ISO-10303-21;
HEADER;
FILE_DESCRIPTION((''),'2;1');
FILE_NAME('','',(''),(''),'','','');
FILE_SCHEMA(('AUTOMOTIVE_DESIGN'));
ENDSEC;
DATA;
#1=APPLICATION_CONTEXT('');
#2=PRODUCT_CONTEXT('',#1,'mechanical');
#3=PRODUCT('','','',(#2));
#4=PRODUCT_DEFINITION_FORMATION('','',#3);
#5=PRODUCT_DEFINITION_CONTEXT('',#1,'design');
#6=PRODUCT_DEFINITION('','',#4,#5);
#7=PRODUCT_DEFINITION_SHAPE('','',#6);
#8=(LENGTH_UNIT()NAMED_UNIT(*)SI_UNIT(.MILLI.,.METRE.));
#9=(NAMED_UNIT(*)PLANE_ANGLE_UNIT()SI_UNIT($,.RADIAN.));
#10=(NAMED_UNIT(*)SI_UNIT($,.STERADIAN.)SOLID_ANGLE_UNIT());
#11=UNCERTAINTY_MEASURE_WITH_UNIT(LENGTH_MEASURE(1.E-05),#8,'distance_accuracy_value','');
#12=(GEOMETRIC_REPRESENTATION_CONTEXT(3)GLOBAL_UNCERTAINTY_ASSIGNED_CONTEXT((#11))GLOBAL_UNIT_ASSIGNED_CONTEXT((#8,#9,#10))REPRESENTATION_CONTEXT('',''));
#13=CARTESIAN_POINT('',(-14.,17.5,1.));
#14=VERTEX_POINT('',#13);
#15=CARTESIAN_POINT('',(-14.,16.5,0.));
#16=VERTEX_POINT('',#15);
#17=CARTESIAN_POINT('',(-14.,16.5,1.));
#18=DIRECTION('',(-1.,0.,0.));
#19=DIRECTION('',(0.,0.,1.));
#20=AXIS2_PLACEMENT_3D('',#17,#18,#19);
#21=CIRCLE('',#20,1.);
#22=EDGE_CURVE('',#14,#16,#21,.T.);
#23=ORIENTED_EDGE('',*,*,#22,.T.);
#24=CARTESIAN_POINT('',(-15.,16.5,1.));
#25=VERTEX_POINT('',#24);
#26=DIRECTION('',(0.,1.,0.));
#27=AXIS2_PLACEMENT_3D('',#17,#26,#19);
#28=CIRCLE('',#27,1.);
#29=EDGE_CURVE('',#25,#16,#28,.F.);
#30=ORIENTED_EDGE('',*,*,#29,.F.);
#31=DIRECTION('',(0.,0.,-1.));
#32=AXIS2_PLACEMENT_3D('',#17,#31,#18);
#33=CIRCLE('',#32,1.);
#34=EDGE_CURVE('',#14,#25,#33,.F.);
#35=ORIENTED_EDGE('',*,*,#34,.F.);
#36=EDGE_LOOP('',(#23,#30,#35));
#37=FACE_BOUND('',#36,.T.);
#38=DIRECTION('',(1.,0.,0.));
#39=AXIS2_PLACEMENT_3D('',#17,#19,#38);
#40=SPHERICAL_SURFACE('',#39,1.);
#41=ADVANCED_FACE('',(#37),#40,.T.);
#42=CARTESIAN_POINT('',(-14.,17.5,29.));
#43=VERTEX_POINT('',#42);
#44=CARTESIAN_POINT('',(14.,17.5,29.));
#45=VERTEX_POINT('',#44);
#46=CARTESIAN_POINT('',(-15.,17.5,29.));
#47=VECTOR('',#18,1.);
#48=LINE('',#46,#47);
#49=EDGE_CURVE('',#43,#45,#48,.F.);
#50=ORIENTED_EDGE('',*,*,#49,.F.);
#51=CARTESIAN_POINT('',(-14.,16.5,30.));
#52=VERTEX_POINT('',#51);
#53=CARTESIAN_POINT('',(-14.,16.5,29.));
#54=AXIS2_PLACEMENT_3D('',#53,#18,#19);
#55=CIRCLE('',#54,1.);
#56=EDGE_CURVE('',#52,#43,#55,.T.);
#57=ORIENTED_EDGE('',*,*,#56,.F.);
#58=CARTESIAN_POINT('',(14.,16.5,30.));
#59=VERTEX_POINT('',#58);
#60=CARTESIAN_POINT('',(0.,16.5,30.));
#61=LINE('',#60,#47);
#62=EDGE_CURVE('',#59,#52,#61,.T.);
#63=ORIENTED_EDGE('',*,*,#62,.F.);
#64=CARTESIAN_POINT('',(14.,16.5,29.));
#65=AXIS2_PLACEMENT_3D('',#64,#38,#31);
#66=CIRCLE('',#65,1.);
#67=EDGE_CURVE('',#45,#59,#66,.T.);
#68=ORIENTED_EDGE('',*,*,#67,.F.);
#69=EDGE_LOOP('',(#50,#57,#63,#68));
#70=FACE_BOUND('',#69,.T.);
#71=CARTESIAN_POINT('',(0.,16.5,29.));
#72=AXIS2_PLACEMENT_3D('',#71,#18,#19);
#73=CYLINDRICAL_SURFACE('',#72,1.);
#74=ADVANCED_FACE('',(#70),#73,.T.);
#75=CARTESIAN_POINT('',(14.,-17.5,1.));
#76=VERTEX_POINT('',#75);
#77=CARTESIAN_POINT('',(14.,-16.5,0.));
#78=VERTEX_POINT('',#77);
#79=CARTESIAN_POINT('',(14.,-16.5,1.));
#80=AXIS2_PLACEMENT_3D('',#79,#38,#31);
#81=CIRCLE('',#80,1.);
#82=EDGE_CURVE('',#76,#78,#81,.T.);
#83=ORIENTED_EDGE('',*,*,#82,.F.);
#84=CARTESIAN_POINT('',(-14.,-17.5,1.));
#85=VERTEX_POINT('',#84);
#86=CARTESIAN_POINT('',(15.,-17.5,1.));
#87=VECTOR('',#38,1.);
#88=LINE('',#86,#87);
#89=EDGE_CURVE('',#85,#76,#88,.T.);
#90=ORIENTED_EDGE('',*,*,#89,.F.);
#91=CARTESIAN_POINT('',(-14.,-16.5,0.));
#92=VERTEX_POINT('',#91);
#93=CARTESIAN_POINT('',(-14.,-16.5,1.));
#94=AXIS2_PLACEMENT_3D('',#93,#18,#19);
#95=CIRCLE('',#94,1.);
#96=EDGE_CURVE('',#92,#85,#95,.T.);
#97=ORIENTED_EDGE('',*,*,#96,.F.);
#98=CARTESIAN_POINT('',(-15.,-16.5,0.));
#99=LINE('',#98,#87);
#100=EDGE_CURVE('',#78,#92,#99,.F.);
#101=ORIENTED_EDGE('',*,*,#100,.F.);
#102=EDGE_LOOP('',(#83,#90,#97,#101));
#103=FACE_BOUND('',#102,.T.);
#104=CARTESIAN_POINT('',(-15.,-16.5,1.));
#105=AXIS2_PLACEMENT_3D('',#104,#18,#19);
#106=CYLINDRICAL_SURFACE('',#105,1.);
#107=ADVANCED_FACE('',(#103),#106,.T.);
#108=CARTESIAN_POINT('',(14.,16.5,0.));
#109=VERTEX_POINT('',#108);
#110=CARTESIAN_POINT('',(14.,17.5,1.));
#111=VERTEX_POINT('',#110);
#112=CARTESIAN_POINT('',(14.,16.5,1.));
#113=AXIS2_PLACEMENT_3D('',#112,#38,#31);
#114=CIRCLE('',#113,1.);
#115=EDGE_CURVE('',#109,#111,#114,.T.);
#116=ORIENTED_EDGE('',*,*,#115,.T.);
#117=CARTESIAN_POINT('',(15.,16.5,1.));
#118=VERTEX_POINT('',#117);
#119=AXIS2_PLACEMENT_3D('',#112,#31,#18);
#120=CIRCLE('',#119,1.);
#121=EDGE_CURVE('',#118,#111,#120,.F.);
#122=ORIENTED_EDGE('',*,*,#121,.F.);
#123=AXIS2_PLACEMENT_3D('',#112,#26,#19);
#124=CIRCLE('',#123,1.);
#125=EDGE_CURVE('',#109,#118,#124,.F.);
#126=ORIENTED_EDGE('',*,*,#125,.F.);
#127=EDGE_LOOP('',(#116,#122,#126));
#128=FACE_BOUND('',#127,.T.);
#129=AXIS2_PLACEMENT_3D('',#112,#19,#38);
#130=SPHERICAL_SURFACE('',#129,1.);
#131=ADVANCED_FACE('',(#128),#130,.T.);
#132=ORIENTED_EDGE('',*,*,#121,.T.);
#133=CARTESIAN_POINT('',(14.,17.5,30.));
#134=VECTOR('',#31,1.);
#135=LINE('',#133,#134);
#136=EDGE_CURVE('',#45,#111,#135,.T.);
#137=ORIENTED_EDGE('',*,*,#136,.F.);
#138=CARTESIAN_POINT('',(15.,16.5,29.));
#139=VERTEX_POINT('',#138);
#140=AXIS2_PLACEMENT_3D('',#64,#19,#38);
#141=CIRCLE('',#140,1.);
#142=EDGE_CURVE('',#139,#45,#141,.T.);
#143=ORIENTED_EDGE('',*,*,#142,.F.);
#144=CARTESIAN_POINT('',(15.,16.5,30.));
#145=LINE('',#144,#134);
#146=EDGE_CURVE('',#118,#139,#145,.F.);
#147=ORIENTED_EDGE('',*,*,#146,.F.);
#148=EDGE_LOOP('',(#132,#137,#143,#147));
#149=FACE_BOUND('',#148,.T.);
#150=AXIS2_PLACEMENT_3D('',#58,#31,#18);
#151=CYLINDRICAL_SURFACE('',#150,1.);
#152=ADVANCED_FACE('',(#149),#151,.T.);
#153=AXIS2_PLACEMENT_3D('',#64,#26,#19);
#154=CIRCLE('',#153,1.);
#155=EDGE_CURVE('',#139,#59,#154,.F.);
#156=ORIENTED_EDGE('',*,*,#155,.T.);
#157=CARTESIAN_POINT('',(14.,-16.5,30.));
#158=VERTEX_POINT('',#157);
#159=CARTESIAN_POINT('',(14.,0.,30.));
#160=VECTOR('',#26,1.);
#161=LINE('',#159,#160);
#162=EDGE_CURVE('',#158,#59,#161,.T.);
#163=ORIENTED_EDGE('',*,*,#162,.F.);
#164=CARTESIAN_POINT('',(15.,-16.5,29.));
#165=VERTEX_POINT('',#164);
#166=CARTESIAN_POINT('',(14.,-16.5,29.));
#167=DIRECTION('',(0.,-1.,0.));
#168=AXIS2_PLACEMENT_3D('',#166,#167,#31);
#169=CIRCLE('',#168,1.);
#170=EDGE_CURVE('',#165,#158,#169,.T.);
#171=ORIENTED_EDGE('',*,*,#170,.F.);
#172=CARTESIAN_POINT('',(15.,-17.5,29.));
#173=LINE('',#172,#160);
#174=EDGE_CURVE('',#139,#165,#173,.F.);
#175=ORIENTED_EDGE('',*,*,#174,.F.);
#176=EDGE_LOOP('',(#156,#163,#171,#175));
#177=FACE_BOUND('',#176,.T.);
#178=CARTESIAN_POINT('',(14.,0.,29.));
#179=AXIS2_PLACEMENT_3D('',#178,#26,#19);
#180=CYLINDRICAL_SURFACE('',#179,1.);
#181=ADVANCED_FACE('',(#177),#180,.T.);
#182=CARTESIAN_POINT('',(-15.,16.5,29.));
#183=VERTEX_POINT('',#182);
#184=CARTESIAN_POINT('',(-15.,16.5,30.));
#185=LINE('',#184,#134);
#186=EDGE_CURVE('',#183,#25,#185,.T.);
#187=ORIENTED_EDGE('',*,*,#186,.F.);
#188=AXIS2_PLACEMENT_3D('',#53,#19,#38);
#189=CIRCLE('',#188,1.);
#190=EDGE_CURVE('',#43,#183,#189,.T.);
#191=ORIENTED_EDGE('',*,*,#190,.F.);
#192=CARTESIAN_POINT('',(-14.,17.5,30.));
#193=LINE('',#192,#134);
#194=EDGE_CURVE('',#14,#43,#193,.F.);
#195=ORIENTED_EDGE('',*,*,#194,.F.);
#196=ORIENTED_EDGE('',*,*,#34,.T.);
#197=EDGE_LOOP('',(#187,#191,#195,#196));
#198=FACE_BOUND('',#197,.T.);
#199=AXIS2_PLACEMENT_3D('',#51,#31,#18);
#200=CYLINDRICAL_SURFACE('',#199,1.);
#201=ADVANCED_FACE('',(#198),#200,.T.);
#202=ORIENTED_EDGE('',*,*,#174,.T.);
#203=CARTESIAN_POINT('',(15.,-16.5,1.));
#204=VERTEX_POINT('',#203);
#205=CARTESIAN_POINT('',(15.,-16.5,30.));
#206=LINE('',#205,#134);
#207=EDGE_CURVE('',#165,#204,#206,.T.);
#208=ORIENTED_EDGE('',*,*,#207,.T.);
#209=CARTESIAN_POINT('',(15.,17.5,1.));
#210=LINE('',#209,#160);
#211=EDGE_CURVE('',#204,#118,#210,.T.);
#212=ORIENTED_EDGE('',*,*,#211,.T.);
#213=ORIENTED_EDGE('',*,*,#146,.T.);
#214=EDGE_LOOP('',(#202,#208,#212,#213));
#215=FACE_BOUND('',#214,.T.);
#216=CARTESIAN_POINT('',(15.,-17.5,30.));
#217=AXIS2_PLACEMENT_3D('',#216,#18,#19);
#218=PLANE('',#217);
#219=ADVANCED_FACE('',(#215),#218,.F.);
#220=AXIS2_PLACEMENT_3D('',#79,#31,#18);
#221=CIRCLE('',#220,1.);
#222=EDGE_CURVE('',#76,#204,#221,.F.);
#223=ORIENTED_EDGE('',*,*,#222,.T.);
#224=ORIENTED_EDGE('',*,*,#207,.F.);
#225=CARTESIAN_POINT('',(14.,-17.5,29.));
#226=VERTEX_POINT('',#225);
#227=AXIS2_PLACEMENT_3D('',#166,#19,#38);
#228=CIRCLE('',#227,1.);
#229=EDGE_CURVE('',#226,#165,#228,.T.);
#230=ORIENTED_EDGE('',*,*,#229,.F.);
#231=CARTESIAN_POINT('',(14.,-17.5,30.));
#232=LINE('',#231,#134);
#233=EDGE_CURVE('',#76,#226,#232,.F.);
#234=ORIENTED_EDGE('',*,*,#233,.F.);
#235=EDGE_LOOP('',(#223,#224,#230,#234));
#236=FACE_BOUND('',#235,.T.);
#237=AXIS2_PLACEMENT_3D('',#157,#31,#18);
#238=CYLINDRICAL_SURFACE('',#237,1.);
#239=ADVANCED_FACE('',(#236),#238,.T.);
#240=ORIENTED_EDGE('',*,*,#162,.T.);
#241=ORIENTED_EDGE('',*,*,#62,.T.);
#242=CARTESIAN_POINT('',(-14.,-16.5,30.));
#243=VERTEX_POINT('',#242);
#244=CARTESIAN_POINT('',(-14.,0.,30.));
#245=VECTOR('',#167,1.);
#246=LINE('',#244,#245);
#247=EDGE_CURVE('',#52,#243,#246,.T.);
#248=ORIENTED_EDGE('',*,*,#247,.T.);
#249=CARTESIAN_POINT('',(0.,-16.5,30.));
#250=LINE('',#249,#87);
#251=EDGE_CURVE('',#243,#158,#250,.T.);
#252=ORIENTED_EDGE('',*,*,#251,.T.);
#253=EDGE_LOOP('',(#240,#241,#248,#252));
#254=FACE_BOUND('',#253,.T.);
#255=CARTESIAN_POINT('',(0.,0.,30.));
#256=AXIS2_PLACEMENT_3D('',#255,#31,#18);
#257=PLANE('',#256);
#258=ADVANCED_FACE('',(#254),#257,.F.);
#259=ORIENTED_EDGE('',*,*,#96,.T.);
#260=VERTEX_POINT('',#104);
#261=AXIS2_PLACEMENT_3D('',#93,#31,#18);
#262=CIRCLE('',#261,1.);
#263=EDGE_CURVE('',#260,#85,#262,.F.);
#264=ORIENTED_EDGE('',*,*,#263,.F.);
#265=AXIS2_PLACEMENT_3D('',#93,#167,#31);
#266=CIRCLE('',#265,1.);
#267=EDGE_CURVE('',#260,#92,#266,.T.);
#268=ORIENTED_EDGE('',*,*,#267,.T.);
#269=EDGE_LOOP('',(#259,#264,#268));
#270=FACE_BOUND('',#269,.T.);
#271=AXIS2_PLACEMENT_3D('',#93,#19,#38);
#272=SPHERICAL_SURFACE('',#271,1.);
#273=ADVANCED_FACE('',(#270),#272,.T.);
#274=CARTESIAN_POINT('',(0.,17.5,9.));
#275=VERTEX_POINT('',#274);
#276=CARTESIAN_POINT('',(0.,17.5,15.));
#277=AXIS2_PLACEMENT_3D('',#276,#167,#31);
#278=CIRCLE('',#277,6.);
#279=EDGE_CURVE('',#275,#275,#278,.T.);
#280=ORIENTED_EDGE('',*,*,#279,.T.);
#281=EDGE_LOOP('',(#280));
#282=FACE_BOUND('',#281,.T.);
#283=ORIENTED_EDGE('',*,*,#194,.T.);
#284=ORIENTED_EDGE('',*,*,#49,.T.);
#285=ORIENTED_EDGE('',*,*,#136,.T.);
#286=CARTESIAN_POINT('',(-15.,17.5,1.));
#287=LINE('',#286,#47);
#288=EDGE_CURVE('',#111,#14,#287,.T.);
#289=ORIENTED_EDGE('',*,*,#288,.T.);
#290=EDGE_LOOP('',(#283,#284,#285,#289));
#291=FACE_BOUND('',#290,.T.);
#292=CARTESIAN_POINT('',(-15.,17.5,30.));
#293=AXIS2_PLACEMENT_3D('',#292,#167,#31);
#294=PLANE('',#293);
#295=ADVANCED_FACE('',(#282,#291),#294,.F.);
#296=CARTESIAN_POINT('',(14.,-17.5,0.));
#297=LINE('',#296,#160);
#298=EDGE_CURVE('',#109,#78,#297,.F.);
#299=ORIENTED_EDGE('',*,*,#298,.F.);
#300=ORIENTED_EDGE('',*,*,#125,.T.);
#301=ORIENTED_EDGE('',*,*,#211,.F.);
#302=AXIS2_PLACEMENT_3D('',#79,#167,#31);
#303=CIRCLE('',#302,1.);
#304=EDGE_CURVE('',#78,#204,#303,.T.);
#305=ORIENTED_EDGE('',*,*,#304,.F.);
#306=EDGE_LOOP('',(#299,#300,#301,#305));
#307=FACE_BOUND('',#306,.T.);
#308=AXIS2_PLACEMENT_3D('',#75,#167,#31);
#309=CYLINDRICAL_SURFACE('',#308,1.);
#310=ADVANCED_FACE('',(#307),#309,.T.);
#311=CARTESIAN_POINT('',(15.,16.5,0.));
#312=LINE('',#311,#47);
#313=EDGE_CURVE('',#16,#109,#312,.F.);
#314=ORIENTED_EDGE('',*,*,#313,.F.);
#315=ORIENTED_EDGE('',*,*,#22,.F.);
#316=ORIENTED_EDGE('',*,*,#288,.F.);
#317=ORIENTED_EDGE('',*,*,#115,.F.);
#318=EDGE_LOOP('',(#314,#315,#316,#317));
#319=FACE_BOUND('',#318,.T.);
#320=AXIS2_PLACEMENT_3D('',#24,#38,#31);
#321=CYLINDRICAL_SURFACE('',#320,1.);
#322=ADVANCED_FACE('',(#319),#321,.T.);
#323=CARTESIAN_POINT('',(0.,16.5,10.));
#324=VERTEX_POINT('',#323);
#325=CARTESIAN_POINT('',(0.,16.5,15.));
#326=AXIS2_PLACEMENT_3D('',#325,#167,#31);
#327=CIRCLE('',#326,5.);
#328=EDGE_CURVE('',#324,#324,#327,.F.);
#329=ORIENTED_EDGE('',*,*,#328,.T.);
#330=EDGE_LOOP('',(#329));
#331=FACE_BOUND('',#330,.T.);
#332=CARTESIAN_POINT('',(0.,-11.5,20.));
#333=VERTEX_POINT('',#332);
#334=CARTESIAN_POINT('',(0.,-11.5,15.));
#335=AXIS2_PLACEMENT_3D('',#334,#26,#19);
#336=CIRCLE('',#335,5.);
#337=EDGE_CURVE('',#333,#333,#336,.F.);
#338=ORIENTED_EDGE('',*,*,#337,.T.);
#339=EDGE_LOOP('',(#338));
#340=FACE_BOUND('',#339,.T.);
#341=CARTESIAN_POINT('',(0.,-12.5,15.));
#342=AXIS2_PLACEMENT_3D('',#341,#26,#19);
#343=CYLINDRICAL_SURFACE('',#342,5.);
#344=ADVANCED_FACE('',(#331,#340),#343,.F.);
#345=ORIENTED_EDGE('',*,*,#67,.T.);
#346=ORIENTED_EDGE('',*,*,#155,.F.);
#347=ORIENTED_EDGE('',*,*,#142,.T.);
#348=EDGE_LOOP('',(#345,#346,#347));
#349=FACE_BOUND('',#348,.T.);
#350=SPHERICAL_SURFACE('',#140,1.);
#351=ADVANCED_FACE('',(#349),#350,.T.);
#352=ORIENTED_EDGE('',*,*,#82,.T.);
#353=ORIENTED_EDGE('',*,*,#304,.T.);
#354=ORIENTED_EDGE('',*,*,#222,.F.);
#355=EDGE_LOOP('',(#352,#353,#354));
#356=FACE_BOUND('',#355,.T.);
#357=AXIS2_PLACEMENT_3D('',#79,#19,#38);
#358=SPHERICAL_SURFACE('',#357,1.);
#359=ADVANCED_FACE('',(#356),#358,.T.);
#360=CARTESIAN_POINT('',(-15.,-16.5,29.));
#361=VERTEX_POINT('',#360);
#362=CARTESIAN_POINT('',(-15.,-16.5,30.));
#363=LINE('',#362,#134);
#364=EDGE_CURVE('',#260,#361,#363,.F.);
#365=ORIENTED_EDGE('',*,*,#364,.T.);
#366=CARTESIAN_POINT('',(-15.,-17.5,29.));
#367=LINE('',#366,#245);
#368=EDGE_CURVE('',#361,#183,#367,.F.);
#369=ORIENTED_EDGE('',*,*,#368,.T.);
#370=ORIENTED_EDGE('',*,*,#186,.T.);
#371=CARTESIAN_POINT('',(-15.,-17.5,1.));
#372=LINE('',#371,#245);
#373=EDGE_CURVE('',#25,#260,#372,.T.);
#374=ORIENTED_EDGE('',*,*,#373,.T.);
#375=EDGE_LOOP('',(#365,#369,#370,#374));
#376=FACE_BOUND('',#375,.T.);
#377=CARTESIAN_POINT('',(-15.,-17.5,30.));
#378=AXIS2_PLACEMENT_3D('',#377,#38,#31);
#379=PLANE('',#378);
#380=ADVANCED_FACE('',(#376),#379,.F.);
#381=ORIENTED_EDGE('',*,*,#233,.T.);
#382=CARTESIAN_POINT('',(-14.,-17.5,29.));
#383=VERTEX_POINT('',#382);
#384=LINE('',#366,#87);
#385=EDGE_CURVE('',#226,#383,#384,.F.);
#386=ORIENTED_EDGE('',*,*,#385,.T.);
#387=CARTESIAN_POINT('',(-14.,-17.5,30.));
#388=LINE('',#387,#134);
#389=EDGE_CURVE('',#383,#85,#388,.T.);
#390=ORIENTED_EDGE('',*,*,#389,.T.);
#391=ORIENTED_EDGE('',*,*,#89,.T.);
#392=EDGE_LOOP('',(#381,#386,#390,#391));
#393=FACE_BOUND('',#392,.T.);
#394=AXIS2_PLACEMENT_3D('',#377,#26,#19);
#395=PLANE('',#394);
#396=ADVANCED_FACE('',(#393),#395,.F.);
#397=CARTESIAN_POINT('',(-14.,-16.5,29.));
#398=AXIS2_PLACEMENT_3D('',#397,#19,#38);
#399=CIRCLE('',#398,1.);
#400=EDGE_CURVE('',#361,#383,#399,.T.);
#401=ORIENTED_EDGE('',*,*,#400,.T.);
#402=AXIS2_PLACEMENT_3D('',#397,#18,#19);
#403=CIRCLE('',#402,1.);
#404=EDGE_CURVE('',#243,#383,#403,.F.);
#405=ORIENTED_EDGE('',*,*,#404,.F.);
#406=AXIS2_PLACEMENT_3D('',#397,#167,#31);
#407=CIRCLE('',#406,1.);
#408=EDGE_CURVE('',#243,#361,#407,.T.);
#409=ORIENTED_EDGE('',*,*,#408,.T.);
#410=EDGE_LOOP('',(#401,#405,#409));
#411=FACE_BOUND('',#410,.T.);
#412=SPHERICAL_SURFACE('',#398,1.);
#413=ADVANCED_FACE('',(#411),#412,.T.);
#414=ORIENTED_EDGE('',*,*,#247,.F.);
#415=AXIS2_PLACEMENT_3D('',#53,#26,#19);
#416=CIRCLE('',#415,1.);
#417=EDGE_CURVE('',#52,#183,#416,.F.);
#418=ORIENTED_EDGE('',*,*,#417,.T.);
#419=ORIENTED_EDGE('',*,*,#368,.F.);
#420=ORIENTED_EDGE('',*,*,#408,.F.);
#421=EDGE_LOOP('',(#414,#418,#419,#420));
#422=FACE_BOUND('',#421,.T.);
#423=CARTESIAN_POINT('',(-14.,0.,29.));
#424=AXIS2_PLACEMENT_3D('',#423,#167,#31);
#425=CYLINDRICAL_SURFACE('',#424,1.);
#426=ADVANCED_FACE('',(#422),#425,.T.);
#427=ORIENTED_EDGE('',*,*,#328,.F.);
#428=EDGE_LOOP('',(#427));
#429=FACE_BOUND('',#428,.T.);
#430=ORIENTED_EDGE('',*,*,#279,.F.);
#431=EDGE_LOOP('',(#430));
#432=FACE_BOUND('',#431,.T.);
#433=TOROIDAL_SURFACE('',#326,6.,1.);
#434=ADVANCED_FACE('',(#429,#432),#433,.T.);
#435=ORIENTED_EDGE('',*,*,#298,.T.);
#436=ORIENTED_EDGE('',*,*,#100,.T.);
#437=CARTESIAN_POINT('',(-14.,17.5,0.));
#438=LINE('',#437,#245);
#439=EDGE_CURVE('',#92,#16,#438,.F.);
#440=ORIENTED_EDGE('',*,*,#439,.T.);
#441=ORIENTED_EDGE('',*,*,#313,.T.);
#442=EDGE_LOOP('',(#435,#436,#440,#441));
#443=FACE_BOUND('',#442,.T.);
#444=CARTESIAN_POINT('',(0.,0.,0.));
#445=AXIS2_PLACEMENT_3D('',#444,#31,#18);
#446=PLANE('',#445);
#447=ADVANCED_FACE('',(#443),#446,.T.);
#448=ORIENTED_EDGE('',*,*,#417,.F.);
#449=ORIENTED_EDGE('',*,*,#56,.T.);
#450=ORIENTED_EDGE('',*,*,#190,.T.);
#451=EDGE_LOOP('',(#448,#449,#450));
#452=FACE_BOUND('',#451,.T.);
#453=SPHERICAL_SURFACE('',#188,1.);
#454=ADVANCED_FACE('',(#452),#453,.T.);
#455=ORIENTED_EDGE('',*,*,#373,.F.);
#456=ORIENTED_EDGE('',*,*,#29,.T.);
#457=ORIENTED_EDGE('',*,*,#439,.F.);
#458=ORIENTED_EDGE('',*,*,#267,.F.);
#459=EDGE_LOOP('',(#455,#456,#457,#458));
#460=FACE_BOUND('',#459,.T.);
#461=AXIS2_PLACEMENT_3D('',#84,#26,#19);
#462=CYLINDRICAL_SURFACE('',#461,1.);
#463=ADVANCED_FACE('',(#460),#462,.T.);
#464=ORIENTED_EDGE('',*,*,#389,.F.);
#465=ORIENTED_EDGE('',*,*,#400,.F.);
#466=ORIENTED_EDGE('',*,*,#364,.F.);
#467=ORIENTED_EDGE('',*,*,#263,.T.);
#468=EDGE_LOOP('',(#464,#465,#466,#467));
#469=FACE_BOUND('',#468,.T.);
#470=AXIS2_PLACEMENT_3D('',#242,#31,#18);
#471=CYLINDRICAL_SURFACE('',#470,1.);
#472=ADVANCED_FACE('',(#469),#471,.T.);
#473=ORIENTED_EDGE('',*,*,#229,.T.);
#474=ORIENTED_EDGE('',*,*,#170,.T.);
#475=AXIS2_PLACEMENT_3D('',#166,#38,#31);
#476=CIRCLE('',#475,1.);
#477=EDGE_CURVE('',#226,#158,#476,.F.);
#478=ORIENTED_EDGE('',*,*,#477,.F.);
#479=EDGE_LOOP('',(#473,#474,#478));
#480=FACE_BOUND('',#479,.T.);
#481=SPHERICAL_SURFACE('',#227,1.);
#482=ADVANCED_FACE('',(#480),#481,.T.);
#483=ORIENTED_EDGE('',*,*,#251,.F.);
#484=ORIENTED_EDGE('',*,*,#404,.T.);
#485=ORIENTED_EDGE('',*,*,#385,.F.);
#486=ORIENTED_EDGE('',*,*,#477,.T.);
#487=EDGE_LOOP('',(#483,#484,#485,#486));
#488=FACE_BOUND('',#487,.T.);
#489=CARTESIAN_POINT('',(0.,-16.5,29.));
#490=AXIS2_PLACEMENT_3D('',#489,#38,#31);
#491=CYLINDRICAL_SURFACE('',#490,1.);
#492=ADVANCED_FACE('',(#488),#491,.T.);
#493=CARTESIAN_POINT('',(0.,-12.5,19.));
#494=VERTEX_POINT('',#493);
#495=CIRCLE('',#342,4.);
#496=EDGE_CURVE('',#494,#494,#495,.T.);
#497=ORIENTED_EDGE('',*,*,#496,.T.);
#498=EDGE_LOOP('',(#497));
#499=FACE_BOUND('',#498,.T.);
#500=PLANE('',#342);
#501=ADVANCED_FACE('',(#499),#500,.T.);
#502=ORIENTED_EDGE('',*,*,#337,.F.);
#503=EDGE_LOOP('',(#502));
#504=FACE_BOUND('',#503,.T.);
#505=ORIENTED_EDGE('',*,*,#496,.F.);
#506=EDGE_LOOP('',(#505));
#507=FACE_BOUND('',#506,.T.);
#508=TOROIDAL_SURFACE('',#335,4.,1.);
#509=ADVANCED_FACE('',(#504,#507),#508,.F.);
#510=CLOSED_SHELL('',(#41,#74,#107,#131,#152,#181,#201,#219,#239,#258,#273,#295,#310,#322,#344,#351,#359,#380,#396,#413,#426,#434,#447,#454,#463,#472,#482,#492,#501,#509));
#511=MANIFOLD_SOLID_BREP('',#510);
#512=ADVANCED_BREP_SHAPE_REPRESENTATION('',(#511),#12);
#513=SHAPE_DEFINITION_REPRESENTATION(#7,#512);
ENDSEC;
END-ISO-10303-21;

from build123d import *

# Parameters (mm, degrees)
SKETCH1_W           = 30
SKETCH1_H           = 35
BOSS_EXTRUDE1_DEPTH = 30
SKETCH2_R           = 5
CUT_EXTRUDE1_DEPTH  = 30
FILLET2_R           = 1


with BuildPart() as part:
    # Sketch1 → Boss-Extrude1 (new body)
    with BuildSketch(Plane.XY):
        Rectangle(SKETCH1_W, SKETCH1_H)
    extrude(amount=BOSS_EXTRUDE1_DEPTH)

    # Sketch2 → Cut-Extrude1 (cut)
    with BuildSketch(Plane(origin=(0, 17.5, 0), x_dir=(1, 0, 0), z_dir=(0, 1, 0))):
        with Locations(Location((0, -15, 0), (0, 0, 270))):
            Circle(SKETCH2_R)
    extrude(amount=-CUT_EXTRUDE1_DEPTH, mode=Mode.SUBTRACT)

    # Fillet2
    fillet2_edges = [part.edges().sort_by_distance(p)[0] for p in [
        (-15, 0, 30),
        (0, -17.5, 30),
        (0, -12.5, 10),
        (0, 17.5, 10),
        (15, 0, 30),
        (0, -17.5, 0),
        (-15, 0, 0),
        (0, 17.5, 0),
        (15, 0, 0),
        (0, 17.5, 30),
        (15, -17.5, 15),
        (-15, -17.5, 15),
        (-15, 17.5, 15),
        (15, 17.5, 15),
    ]]
    fillet(fillet2_edges, radius=FILLET2_R)


solid = part.part
